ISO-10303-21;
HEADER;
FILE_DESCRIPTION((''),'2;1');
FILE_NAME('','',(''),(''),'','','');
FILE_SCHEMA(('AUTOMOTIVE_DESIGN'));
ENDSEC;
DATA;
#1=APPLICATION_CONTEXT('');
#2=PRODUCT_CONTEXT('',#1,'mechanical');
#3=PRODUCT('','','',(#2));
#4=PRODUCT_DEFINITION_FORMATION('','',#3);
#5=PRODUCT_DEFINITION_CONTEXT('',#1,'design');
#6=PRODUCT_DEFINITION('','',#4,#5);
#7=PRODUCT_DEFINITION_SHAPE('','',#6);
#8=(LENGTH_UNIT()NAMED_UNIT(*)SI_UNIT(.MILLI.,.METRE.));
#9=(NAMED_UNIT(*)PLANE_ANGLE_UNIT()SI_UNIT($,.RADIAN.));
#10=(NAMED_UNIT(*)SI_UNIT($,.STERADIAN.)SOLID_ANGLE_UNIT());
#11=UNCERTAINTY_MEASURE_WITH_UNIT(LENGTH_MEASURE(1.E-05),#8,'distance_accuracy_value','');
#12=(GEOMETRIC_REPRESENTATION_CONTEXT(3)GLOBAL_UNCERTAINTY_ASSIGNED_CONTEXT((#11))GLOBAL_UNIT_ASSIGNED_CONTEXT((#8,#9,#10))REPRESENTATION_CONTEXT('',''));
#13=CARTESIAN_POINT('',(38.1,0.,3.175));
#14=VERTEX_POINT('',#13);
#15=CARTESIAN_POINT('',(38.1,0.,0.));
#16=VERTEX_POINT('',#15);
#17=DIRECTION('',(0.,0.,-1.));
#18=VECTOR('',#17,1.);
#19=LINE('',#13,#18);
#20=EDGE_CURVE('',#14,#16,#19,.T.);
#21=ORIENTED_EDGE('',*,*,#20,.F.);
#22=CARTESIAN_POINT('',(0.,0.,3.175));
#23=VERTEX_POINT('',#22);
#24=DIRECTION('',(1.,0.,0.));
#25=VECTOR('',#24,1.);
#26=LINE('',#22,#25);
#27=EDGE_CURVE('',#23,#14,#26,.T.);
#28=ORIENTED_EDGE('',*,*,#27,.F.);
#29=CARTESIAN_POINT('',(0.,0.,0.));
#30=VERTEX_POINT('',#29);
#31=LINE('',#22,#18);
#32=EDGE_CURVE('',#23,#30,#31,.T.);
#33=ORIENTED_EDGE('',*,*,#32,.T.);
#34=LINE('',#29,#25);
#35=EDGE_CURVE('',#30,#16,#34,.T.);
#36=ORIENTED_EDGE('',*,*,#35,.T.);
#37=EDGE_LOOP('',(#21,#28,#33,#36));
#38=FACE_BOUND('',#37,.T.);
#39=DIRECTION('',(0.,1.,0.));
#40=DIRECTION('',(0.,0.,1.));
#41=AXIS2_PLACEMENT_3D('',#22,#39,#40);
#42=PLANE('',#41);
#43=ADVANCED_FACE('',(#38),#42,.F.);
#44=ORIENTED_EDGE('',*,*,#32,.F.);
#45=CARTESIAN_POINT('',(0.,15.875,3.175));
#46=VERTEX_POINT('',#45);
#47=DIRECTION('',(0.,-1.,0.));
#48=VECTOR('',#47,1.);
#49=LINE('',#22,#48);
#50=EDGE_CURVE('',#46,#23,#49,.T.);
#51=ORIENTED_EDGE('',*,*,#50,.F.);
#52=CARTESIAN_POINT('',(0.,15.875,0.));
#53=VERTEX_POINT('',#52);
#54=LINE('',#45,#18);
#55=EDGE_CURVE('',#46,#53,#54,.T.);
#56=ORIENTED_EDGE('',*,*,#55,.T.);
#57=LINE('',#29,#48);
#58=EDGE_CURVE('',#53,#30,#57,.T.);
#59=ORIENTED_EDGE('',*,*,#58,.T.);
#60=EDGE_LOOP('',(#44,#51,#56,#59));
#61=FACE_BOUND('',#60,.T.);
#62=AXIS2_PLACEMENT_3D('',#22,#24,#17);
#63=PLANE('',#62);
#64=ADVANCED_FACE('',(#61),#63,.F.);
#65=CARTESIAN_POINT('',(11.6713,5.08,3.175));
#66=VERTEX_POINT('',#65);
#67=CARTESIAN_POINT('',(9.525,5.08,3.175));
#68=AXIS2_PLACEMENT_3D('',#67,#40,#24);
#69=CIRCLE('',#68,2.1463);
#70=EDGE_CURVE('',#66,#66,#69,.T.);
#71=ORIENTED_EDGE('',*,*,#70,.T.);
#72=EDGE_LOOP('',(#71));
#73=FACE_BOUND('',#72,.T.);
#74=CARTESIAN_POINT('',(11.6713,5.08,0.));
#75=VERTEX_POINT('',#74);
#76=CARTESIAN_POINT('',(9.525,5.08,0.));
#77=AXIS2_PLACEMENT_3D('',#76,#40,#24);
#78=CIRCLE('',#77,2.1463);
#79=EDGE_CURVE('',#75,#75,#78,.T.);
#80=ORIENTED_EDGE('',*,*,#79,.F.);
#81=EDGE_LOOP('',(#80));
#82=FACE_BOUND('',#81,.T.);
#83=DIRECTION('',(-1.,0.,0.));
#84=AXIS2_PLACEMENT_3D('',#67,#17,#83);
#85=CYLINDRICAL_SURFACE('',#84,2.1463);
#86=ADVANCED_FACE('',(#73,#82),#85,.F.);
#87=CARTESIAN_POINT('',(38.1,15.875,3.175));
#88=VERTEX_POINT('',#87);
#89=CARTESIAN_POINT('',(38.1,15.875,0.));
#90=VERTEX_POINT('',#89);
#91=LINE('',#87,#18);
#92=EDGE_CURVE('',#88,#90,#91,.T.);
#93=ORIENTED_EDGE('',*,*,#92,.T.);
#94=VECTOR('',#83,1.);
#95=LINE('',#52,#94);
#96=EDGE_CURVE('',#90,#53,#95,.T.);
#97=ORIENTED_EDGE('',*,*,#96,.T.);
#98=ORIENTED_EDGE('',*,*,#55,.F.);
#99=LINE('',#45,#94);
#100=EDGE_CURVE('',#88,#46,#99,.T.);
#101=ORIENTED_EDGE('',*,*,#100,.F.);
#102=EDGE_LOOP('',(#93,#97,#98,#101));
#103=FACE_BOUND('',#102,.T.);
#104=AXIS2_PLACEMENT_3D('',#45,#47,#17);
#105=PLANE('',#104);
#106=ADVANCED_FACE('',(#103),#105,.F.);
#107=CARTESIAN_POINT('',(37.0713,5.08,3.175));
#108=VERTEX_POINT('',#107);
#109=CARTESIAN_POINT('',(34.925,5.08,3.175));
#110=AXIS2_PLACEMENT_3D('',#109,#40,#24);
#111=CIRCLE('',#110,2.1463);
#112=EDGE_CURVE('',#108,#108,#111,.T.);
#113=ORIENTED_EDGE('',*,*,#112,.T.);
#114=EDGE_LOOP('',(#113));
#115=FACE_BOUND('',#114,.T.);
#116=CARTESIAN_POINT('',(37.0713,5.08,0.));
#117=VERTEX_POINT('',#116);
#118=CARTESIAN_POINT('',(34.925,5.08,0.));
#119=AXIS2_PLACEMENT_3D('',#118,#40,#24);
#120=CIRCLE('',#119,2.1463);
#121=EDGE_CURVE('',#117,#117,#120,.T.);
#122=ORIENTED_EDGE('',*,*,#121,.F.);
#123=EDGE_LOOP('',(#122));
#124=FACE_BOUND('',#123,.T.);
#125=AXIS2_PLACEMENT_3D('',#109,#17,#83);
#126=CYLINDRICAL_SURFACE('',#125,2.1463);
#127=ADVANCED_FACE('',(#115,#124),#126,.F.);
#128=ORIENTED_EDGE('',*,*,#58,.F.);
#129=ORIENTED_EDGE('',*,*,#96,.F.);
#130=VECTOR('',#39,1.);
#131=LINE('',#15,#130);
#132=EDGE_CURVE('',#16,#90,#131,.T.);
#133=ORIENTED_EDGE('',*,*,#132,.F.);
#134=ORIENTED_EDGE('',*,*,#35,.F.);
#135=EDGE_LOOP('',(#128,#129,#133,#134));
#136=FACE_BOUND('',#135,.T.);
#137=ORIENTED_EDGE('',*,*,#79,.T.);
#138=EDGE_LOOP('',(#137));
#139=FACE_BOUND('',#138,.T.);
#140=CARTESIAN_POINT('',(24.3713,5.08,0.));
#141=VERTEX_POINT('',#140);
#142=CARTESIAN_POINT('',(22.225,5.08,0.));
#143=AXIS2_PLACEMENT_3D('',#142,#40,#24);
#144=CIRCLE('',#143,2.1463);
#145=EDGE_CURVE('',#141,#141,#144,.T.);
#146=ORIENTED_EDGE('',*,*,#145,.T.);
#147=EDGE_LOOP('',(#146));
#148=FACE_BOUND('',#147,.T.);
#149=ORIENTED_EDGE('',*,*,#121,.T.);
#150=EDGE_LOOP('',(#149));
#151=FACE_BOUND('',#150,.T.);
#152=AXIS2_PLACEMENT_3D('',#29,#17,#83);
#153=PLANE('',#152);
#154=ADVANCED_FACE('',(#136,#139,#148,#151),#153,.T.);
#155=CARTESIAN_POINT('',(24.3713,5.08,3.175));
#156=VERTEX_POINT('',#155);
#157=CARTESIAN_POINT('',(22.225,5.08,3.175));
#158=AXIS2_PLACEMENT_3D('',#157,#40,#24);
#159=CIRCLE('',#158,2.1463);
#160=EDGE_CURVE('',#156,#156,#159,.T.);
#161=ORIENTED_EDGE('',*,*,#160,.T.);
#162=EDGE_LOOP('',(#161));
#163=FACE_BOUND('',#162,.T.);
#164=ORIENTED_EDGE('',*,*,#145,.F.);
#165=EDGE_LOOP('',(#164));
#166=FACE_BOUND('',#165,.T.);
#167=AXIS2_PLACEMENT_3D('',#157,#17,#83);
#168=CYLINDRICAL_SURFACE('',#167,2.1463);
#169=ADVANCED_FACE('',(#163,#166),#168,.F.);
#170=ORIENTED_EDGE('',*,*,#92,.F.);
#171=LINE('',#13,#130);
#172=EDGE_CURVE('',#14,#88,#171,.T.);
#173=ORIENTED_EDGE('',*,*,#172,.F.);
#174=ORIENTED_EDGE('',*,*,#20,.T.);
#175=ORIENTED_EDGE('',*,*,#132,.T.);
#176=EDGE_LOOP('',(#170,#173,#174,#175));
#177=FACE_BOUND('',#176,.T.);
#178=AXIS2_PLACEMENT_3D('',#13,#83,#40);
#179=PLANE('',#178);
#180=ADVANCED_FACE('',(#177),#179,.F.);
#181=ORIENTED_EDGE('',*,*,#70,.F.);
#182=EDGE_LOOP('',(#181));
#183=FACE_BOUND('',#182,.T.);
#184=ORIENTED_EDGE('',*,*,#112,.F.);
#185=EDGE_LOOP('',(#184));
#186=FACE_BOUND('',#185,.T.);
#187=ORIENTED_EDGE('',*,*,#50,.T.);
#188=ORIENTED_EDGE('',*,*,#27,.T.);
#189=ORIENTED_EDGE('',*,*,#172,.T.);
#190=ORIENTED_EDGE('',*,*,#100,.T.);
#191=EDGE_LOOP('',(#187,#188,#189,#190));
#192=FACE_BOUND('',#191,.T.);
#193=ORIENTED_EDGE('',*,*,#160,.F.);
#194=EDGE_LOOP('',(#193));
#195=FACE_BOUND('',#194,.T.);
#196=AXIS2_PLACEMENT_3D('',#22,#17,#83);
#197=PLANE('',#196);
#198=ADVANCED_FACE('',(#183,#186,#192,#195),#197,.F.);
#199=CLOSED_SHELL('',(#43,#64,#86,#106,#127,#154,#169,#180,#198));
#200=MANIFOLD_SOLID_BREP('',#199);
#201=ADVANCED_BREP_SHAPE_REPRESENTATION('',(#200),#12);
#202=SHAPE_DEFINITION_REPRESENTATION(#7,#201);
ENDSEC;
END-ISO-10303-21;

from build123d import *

# Parameters (mm, degrees)
SKETCH1_W           = 38.1
SKETCH1_H           = 15.875
SKETCH1_R           = 2.1463
BOSS_EXTRUDE1_DEPTH = 3.175


with BuildPart() as part:
    # Sketch1 → Boss-Extrude1 (new body)
    with BuildSketch(Plane.XY):
        with Locations((19.05, 7.9375)):
            Rectangle(SKETCH1_W, SKETCH1_H)
        with Locations((9.525, 5.08)):
            Circle(SKETCH1_R, mode=Mode.SUBTRACT)
        with Locations((22.225, 5.08)):
            Circle(SKETCH1_R, mode=Mode.SUBTRACT)
        with Locations((34.925, 5.08)):
            Circle(SKETCH1_R, mode=Mode.SUBTRACT)
    extrude(amount=BOSS_EXTRUDE1_DEPTH)


solid = part.part
